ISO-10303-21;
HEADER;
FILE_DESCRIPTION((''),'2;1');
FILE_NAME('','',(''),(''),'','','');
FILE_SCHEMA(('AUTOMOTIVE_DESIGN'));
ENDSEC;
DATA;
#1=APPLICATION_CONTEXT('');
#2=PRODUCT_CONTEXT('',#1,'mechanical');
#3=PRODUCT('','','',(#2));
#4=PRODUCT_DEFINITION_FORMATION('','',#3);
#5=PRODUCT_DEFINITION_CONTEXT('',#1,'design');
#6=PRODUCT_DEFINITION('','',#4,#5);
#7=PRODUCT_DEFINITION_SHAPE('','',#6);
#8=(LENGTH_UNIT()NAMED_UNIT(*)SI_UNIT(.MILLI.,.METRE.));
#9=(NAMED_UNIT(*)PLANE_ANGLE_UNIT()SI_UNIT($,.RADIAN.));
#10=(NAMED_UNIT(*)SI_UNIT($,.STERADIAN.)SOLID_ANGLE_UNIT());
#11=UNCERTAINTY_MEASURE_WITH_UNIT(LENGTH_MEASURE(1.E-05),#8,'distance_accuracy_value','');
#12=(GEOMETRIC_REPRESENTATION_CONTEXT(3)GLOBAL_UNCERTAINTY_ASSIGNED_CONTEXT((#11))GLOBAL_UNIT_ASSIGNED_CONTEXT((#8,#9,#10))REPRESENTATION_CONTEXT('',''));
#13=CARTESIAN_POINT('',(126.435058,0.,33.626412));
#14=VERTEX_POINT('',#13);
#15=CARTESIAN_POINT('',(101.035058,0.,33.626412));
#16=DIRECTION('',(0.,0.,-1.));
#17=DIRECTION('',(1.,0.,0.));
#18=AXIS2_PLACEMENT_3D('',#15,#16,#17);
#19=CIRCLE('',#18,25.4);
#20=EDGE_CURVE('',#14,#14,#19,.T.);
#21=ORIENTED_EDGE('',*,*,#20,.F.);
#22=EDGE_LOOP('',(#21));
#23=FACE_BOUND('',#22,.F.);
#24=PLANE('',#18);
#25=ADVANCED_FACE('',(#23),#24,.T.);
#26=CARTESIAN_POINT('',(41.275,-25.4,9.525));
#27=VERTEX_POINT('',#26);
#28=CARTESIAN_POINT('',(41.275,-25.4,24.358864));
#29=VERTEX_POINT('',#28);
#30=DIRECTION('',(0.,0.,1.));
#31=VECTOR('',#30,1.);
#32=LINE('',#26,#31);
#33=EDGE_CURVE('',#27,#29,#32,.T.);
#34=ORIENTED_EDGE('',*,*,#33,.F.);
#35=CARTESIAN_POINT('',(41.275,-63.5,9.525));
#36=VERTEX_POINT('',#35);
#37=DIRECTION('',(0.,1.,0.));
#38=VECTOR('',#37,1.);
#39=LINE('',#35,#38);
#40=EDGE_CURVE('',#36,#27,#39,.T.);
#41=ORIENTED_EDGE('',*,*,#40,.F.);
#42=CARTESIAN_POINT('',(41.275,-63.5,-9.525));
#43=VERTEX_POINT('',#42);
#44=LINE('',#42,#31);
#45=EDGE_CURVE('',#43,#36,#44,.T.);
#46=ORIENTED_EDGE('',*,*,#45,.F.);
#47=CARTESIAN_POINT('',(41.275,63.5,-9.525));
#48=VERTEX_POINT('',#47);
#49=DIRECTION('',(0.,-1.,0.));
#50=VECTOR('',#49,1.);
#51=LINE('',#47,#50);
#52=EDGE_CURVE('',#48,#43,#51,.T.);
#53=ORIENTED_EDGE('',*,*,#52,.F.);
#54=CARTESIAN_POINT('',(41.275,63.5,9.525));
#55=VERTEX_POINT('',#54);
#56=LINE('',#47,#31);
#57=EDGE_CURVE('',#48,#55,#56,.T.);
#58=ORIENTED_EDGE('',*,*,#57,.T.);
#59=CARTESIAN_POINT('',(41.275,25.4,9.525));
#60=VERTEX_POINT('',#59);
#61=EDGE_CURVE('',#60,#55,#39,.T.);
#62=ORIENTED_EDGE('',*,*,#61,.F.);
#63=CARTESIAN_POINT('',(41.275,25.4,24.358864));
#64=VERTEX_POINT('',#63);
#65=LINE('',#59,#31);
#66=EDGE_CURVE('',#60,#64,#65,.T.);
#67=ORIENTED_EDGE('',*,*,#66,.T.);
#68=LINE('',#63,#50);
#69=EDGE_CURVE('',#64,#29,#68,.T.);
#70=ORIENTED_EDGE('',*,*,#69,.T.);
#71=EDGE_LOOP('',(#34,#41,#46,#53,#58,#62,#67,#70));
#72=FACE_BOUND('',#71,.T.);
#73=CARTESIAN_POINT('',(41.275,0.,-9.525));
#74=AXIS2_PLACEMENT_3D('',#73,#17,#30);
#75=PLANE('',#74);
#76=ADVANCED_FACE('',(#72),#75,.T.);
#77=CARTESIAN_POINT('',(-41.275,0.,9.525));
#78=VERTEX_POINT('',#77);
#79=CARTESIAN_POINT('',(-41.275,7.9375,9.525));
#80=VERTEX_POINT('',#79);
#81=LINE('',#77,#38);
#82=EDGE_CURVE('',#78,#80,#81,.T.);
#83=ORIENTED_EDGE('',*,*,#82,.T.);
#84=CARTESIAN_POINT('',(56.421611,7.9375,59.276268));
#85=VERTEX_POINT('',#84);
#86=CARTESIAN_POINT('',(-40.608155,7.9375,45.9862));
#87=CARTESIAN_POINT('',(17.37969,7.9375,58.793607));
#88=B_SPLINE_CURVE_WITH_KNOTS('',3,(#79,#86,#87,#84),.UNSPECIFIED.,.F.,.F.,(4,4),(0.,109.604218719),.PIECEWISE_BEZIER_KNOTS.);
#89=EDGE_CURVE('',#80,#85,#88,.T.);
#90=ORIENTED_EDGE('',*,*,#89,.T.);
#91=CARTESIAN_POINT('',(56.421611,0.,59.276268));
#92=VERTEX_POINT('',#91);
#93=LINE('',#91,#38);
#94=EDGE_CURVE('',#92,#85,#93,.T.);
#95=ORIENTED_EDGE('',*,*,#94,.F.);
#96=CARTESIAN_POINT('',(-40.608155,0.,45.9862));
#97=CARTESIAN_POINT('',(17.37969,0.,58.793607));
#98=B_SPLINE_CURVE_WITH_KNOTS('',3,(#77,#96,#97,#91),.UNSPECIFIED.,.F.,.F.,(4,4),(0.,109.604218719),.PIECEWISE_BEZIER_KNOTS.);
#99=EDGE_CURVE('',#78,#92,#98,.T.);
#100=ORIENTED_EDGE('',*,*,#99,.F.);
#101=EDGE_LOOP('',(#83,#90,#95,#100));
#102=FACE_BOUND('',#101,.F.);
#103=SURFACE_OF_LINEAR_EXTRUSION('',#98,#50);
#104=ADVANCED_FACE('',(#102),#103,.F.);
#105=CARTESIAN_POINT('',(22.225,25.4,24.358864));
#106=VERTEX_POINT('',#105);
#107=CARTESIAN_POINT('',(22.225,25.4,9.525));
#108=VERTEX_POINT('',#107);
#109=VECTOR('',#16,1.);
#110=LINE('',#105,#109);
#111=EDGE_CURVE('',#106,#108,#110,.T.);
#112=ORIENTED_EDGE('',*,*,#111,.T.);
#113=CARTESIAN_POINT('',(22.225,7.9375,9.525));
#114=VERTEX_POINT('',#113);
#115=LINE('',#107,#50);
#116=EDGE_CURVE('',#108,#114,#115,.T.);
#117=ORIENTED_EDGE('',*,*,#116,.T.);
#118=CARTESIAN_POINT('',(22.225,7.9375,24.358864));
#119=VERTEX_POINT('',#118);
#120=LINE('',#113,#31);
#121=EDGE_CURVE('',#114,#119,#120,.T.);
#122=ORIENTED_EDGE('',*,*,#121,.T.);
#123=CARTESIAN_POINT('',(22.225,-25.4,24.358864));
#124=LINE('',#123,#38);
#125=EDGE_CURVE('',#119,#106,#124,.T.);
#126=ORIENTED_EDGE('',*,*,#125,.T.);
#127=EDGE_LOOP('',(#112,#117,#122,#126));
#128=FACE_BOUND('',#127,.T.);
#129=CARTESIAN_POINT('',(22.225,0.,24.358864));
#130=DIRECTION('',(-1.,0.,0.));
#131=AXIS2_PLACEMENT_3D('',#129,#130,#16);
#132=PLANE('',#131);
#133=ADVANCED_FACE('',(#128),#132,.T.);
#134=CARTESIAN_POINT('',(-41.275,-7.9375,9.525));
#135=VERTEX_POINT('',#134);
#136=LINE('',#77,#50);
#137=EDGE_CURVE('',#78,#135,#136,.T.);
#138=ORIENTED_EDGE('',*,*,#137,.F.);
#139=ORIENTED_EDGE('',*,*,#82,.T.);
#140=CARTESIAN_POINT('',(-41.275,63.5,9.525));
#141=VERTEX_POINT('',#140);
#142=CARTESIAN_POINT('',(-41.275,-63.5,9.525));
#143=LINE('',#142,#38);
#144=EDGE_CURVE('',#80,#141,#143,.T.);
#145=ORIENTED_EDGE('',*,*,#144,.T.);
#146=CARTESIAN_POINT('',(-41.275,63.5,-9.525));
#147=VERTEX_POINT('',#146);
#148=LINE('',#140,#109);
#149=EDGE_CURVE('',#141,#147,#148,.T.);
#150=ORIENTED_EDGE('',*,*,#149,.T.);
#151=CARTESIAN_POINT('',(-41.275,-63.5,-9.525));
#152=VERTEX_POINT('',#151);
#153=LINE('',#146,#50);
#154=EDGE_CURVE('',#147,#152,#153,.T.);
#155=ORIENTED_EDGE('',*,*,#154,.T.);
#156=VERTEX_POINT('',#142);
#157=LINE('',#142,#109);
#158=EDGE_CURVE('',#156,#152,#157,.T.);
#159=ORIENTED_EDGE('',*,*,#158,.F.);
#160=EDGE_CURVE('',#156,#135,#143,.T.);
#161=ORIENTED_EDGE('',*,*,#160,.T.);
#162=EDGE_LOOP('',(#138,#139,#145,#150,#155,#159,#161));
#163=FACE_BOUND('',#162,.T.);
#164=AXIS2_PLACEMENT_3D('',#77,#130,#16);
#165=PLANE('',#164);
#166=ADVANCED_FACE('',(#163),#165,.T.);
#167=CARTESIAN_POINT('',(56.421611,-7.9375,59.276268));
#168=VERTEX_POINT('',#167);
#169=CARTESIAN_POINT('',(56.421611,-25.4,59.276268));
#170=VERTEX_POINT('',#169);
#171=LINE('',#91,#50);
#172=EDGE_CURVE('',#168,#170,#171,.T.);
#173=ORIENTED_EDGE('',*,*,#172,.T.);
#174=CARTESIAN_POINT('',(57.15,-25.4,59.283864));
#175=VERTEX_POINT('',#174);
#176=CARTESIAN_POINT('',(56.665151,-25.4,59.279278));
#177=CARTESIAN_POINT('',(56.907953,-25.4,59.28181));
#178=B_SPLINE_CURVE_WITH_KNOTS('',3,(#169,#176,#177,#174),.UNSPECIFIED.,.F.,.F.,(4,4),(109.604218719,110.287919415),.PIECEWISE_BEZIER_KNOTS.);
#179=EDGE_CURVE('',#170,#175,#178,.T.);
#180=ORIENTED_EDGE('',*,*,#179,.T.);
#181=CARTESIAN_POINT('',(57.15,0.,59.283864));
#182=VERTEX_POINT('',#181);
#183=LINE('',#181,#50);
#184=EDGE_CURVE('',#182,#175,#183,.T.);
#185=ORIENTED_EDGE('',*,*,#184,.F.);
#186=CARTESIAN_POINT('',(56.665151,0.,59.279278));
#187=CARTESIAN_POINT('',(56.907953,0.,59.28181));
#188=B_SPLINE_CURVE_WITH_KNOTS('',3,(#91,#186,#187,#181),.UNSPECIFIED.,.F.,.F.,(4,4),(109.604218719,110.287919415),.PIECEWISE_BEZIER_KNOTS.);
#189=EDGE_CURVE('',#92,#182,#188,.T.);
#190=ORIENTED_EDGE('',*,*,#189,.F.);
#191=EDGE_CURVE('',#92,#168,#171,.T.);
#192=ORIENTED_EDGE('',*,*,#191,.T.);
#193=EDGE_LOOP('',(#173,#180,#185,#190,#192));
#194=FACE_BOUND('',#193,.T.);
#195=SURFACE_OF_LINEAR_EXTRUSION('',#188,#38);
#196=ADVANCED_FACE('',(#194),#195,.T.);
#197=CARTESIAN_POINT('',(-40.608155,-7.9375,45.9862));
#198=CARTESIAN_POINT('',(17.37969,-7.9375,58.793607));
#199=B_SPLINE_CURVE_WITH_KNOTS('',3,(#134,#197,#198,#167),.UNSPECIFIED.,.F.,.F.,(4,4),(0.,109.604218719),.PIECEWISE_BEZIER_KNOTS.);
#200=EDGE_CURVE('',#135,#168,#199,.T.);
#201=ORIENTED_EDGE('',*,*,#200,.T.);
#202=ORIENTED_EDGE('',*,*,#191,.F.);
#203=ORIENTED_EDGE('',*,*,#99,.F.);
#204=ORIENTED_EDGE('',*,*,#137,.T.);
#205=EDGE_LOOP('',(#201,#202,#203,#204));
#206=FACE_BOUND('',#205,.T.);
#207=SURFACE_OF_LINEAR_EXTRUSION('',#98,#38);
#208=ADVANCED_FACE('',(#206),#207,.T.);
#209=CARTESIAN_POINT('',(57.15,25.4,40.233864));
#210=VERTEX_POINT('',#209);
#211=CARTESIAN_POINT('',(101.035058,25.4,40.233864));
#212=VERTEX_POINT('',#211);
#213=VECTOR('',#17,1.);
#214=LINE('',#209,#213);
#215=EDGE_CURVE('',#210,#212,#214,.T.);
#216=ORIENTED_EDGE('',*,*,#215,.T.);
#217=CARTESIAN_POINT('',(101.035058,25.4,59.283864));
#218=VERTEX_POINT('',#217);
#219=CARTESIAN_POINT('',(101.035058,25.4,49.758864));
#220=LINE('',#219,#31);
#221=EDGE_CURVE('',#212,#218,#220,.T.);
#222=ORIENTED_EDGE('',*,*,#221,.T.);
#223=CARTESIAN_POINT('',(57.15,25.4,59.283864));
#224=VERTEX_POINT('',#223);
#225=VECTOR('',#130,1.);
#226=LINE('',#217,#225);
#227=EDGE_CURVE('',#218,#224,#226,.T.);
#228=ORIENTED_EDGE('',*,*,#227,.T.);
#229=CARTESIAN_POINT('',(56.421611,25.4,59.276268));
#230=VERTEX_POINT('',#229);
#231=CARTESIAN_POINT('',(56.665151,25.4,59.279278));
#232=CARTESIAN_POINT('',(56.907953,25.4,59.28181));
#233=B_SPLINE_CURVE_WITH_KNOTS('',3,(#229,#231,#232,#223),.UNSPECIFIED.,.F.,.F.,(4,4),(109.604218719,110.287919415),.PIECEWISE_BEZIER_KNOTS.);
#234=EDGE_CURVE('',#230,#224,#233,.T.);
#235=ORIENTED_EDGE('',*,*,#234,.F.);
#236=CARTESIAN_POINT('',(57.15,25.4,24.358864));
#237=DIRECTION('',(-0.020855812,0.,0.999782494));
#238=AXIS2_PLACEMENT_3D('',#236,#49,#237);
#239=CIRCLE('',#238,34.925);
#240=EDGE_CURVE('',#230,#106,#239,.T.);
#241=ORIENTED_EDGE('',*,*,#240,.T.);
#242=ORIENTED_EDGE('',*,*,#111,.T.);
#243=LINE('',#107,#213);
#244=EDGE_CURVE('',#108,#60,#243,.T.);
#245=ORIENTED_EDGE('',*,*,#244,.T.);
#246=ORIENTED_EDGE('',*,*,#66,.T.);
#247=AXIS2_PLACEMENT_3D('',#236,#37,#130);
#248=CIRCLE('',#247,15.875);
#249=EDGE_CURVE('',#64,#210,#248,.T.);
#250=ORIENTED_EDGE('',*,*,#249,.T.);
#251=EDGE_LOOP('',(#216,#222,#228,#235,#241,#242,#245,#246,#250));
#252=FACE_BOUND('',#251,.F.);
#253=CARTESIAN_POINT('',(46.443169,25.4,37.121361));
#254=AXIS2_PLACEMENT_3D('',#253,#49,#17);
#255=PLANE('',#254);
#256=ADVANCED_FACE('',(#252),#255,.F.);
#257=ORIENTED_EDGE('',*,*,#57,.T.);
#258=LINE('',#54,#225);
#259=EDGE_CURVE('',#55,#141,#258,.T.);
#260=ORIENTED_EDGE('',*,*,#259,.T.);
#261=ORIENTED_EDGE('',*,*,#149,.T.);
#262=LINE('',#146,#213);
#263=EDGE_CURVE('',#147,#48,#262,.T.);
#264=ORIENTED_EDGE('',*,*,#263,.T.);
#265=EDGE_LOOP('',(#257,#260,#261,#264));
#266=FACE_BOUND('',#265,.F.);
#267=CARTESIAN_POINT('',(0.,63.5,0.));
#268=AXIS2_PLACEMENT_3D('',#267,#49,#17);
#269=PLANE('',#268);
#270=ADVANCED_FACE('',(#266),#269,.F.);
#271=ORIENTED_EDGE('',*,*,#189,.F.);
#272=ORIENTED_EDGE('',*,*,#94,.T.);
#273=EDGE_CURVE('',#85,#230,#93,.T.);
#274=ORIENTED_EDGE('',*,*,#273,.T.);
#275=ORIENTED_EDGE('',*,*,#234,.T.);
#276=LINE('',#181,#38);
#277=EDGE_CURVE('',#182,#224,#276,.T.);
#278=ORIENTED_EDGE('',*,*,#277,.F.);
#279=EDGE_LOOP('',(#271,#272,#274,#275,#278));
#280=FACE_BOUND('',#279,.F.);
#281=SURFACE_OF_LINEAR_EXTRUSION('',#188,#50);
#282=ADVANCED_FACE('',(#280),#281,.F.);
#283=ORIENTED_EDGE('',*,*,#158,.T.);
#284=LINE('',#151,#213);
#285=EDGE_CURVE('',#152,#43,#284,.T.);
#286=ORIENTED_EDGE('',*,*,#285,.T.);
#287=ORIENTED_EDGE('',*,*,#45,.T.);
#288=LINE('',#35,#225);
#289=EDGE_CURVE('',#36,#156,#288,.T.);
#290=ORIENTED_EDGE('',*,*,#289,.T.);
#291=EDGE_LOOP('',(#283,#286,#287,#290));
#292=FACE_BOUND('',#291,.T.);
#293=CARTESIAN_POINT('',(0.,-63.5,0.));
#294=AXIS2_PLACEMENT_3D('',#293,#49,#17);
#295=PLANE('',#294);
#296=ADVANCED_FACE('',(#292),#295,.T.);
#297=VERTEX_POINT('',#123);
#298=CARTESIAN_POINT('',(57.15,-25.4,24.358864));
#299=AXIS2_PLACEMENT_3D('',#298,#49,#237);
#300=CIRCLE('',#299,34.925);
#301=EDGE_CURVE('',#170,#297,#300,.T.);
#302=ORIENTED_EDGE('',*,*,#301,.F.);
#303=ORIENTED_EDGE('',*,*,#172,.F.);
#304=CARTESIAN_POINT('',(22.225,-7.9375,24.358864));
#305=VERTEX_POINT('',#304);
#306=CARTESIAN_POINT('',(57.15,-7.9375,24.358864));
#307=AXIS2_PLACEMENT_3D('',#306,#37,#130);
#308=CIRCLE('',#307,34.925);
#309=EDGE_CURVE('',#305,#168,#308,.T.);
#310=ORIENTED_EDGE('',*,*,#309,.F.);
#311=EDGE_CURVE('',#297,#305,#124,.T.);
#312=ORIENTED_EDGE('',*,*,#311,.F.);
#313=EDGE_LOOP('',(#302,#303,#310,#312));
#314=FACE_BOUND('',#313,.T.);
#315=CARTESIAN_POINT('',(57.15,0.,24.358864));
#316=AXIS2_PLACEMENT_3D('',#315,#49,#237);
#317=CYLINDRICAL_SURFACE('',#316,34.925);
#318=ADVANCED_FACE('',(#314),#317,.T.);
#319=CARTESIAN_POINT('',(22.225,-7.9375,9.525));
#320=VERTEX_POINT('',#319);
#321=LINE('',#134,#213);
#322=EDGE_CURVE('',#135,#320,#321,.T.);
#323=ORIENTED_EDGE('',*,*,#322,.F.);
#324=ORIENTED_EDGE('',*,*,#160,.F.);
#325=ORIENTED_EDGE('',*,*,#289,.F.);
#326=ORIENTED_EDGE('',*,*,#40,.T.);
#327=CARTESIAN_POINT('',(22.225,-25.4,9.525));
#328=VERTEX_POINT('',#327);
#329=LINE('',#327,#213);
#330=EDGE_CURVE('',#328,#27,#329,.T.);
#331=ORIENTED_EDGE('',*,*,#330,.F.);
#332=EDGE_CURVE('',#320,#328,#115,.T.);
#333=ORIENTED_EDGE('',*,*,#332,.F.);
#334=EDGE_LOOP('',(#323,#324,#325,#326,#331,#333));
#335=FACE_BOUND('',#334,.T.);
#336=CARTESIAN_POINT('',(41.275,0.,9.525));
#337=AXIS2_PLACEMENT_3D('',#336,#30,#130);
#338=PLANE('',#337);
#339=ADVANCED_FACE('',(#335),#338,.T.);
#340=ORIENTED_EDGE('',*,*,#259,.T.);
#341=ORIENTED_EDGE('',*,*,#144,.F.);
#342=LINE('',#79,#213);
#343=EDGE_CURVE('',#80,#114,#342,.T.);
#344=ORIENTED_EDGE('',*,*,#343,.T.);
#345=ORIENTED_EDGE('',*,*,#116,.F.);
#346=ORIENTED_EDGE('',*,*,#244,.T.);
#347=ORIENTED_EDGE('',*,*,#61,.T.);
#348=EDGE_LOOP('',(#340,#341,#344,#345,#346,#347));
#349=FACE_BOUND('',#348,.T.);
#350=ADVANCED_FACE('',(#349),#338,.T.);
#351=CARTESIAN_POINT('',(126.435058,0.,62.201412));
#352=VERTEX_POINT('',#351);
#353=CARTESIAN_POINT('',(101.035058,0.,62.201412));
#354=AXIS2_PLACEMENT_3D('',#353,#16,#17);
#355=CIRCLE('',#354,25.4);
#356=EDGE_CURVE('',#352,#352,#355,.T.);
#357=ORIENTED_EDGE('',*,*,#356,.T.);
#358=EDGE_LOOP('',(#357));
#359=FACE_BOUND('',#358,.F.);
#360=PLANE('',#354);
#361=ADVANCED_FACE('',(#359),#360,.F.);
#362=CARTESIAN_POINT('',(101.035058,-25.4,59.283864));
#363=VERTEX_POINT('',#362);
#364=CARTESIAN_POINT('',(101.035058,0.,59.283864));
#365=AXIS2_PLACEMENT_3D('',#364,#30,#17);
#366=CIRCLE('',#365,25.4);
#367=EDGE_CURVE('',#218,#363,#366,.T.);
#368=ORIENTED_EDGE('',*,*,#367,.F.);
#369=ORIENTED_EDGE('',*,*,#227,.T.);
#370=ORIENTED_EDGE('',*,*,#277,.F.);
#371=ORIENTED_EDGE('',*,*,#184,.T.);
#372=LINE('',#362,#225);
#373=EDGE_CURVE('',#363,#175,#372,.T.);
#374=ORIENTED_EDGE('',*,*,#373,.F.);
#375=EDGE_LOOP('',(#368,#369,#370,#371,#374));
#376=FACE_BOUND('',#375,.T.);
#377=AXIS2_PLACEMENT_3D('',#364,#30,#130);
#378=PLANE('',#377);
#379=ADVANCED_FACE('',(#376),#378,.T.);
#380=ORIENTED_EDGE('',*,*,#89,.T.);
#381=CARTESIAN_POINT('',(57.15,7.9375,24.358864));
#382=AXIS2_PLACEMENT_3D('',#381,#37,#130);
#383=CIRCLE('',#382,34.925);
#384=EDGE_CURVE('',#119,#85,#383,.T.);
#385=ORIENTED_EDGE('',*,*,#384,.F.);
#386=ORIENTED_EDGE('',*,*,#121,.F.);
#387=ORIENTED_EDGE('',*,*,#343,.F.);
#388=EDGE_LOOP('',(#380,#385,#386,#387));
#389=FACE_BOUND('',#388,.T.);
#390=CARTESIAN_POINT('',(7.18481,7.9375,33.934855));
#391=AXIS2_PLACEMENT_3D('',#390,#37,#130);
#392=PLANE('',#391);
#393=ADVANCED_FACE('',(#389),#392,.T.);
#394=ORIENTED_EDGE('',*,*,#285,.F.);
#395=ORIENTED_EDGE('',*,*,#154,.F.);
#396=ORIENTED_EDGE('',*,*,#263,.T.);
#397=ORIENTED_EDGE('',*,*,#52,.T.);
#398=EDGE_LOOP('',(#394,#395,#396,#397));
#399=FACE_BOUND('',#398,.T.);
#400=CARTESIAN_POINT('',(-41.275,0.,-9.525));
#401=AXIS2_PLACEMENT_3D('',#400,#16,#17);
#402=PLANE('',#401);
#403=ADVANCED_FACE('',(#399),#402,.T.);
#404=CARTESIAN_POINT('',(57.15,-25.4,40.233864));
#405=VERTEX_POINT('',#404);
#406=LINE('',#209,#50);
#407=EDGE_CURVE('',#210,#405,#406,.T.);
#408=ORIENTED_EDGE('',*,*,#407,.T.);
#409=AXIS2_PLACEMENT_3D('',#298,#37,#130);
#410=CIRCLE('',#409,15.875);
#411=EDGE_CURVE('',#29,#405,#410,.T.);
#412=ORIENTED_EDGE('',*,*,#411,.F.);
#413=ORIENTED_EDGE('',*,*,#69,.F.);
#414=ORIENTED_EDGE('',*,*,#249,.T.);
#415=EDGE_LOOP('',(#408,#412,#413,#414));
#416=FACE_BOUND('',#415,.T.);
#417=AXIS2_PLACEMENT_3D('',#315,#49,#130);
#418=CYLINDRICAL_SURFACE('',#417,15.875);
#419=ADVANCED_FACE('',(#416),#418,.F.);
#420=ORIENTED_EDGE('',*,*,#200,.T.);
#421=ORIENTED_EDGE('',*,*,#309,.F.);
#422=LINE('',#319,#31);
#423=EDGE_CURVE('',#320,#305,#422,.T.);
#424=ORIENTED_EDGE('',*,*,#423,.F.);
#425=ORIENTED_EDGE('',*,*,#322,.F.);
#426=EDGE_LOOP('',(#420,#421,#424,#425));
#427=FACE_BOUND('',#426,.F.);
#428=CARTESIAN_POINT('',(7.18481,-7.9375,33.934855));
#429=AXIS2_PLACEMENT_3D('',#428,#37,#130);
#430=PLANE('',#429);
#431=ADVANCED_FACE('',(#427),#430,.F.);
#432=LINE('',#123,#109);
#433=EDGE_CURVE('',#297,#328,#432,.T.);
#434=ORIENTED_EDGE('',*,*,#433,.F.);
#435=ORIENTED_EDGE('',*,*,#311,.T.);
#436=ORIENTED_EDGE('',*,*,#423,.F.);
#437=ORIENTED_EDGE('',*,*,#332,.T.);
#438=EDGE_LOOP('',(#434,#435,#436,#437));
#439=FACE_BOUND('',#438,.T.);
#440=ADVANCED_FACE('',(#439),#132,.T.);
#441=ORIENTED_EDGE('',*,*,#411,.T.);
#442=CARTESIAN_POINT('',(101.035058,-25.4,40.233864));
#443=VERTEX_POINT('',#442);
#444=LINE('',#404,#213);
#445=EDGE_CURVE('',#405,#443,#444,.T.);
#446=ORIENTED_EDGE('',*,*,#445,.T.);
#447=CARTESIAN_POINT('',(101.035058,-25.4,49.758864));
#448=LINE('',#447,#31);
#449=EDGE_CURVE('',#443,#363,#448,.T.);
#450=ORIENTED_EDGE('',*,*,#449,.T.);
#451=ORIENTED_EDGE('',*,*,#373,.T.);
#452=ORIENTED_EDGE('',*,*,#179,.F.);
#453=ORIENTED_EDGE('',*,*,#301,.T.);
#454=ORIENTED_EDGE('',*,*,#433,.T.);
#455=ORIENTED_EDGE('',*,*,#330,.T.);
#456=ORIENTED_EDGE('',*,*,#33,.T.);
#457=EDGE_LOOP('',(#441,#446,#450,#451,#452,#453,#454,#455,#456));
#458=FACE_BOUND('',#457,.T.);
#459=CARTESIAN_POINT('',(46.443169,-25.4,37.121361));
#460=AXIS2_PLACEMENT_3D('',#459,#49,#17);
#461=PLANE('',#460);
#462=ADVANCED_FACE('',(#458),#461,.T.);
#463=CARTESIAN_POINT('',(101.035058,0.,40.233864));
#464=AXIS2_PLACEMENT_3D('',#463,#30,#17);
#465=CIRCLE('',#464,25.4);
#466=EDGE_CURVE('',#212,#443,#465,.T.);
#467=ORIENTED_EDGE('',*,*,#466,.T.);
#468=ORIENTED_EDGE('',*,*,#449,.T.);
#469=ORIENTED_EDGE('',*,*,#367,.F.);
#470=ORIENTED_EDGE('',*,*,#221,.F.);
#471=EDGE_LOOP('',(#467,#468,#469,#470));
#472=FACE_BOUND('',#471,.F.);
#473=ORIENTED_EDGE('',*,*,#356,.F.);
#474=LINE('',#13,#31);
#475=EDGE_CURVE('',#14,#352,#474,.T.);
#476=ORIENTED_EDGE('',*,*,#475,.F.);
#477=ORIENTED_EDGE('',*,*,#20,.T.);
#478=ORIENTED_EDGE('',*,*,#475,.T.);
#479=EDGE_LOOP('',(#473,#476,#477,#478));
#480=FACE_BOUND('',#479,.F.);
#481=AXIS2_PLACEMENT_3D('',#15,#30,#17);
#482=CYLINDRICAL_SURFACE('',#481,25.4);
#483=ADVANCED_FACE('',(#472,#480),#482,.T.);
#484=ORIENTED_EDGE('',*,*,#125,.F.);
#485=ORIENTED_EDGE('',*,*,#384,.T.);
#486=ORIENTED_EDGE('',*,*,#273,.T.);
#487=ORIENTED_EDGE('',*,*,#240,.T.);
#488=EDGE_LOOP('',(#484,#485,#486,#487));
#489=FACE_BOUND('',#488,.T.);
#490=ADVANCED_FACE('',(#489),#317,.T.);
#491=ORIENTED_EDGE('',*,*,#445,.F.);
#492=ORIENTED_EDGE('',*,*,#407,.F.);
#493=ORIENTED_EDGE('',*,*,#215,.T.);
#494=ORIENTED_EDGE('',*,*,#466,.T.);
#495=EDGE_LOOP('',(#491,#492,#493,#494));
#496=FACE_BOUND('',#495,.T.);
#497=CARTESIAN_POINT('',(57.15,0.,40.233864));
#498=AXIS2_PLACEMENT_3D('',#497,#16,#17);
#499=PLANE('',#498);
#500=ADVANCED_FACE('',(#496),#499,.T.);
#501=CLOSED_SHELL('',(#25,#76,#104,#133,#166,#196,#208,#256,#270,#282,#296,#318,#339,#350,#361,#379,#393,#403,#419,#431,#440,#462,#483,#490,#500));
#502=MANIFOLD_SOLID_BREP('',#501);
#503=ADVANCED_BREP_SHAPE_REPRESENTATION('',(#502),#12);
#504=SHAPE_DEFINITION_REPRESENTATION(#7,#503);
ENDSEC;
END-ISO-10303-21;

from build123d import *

# Parameters (mm, degrees)
F1_DEPTH = 63.5
F0_W     = 25.4
F0_H     = 19.05
F2_DEPTH = 25.4
F3_DEPTH = 7.9375


with BuildPart() as f1:
    # F0 (on Front) → F1 (new body, symmetric)
    with BuildSketch(Plane.XZ):
        Polygon((22.225, 9.525), (-41.275, 9.525), (-41.275, -9.525), (41.275, -9.525), (41.275, 9.525), align=None)
    extrude(amount=F1_DEPTH, both=True)

    # F0 (on Front) → F2 (join, symmetric)
    with BuildSketch(Plane.XZ):
        with BuildLine():
            Line((22.225, 24.3588639732), (22.225, 9.525))
            Line((22.225, 9.525), (41.275, 9.525))
            Line((41.275, 9.525), (41.275, 24.3588639732))
            ThreePointArc((41.275, 24.3588639732), (45.9246798487, 35.5841841245), (57.15, 40.2338639732))
            Line((57.15, 40.2338639732), (75.6350584984, 40.2338639732))
            Line((75.6350584984, 40.2338639732), (75.6350584984, 59.2838639732))
            Line((75.6350584984, 59.2838639732), (57.15, 59.2838639732))
            add(Edge.make_bspline(
                [(56.4216107745, 59.2762675727), (56.6651505672, 59.2792783634), (56.9079531463, 59.2818095803), (57.15, 59.2838639732)],
                knots=[109.6042187191, 109.6042187191, 109.6042187191, 109.6042187191, 110.287919415, 110.287919415, 110.287919415, 110.287919415], degree=3))
            ThreePointArc((56.4216107745, 59.2762675727), (32.1981000854, 48.7956869183), (22.225, 24.3588639732))
        make_face()
        with Locations((88.3350584984, 49.7588639732)):
            Rectangle(F0_W, F0_H)
    extrude(amount=F2_DEPTH, both=True)

    # F0 (on Front) → F3 (join, symmetric)
    with BuildSketch(Plane.XZ):
        with BuildLine():
            add(Edge.make_bspline(
                [(-41.275, 9.525), (-40.6081550387, 45.986200262), (17.3796895691, 58.793607011), (56.4216107745, 59.2762675727)],
                knots=[0, 0, 0, 0, 109.6042187191, 109.6042187191, 109.6042187191, 109.6042187191], degree=3))
            Line((-41.275, 9.525), (22.225, 9.525))
            Line((22.225, 9.525), (22.225, 24.3588639732))
            ThreePointArc((22.225, 24.3588639732), (32.1981000854, 48.7956869183), (56.4216107745, 59.2762675727))
        make_face()
    extrude(amount=F3_DEPTH, both=True)

    # F0 (on Front) → F4 (revolve)
    with BuildSketch(Plane.XZ):
        Polygon((101.0350584984, 62.2014122894), (101.0350584984, 59.2838639732), (101.0350584984, 40.2338639732), (101.0350584984, 33.6264122894), (126.4350584984, 33.6264122894), (126.4350584984, 62.2014122894), align=None)
    revolve(axis=Axis((101.0350584984, 0, 47.9139122894), (0, 0, -1)))


solid = f1.part
